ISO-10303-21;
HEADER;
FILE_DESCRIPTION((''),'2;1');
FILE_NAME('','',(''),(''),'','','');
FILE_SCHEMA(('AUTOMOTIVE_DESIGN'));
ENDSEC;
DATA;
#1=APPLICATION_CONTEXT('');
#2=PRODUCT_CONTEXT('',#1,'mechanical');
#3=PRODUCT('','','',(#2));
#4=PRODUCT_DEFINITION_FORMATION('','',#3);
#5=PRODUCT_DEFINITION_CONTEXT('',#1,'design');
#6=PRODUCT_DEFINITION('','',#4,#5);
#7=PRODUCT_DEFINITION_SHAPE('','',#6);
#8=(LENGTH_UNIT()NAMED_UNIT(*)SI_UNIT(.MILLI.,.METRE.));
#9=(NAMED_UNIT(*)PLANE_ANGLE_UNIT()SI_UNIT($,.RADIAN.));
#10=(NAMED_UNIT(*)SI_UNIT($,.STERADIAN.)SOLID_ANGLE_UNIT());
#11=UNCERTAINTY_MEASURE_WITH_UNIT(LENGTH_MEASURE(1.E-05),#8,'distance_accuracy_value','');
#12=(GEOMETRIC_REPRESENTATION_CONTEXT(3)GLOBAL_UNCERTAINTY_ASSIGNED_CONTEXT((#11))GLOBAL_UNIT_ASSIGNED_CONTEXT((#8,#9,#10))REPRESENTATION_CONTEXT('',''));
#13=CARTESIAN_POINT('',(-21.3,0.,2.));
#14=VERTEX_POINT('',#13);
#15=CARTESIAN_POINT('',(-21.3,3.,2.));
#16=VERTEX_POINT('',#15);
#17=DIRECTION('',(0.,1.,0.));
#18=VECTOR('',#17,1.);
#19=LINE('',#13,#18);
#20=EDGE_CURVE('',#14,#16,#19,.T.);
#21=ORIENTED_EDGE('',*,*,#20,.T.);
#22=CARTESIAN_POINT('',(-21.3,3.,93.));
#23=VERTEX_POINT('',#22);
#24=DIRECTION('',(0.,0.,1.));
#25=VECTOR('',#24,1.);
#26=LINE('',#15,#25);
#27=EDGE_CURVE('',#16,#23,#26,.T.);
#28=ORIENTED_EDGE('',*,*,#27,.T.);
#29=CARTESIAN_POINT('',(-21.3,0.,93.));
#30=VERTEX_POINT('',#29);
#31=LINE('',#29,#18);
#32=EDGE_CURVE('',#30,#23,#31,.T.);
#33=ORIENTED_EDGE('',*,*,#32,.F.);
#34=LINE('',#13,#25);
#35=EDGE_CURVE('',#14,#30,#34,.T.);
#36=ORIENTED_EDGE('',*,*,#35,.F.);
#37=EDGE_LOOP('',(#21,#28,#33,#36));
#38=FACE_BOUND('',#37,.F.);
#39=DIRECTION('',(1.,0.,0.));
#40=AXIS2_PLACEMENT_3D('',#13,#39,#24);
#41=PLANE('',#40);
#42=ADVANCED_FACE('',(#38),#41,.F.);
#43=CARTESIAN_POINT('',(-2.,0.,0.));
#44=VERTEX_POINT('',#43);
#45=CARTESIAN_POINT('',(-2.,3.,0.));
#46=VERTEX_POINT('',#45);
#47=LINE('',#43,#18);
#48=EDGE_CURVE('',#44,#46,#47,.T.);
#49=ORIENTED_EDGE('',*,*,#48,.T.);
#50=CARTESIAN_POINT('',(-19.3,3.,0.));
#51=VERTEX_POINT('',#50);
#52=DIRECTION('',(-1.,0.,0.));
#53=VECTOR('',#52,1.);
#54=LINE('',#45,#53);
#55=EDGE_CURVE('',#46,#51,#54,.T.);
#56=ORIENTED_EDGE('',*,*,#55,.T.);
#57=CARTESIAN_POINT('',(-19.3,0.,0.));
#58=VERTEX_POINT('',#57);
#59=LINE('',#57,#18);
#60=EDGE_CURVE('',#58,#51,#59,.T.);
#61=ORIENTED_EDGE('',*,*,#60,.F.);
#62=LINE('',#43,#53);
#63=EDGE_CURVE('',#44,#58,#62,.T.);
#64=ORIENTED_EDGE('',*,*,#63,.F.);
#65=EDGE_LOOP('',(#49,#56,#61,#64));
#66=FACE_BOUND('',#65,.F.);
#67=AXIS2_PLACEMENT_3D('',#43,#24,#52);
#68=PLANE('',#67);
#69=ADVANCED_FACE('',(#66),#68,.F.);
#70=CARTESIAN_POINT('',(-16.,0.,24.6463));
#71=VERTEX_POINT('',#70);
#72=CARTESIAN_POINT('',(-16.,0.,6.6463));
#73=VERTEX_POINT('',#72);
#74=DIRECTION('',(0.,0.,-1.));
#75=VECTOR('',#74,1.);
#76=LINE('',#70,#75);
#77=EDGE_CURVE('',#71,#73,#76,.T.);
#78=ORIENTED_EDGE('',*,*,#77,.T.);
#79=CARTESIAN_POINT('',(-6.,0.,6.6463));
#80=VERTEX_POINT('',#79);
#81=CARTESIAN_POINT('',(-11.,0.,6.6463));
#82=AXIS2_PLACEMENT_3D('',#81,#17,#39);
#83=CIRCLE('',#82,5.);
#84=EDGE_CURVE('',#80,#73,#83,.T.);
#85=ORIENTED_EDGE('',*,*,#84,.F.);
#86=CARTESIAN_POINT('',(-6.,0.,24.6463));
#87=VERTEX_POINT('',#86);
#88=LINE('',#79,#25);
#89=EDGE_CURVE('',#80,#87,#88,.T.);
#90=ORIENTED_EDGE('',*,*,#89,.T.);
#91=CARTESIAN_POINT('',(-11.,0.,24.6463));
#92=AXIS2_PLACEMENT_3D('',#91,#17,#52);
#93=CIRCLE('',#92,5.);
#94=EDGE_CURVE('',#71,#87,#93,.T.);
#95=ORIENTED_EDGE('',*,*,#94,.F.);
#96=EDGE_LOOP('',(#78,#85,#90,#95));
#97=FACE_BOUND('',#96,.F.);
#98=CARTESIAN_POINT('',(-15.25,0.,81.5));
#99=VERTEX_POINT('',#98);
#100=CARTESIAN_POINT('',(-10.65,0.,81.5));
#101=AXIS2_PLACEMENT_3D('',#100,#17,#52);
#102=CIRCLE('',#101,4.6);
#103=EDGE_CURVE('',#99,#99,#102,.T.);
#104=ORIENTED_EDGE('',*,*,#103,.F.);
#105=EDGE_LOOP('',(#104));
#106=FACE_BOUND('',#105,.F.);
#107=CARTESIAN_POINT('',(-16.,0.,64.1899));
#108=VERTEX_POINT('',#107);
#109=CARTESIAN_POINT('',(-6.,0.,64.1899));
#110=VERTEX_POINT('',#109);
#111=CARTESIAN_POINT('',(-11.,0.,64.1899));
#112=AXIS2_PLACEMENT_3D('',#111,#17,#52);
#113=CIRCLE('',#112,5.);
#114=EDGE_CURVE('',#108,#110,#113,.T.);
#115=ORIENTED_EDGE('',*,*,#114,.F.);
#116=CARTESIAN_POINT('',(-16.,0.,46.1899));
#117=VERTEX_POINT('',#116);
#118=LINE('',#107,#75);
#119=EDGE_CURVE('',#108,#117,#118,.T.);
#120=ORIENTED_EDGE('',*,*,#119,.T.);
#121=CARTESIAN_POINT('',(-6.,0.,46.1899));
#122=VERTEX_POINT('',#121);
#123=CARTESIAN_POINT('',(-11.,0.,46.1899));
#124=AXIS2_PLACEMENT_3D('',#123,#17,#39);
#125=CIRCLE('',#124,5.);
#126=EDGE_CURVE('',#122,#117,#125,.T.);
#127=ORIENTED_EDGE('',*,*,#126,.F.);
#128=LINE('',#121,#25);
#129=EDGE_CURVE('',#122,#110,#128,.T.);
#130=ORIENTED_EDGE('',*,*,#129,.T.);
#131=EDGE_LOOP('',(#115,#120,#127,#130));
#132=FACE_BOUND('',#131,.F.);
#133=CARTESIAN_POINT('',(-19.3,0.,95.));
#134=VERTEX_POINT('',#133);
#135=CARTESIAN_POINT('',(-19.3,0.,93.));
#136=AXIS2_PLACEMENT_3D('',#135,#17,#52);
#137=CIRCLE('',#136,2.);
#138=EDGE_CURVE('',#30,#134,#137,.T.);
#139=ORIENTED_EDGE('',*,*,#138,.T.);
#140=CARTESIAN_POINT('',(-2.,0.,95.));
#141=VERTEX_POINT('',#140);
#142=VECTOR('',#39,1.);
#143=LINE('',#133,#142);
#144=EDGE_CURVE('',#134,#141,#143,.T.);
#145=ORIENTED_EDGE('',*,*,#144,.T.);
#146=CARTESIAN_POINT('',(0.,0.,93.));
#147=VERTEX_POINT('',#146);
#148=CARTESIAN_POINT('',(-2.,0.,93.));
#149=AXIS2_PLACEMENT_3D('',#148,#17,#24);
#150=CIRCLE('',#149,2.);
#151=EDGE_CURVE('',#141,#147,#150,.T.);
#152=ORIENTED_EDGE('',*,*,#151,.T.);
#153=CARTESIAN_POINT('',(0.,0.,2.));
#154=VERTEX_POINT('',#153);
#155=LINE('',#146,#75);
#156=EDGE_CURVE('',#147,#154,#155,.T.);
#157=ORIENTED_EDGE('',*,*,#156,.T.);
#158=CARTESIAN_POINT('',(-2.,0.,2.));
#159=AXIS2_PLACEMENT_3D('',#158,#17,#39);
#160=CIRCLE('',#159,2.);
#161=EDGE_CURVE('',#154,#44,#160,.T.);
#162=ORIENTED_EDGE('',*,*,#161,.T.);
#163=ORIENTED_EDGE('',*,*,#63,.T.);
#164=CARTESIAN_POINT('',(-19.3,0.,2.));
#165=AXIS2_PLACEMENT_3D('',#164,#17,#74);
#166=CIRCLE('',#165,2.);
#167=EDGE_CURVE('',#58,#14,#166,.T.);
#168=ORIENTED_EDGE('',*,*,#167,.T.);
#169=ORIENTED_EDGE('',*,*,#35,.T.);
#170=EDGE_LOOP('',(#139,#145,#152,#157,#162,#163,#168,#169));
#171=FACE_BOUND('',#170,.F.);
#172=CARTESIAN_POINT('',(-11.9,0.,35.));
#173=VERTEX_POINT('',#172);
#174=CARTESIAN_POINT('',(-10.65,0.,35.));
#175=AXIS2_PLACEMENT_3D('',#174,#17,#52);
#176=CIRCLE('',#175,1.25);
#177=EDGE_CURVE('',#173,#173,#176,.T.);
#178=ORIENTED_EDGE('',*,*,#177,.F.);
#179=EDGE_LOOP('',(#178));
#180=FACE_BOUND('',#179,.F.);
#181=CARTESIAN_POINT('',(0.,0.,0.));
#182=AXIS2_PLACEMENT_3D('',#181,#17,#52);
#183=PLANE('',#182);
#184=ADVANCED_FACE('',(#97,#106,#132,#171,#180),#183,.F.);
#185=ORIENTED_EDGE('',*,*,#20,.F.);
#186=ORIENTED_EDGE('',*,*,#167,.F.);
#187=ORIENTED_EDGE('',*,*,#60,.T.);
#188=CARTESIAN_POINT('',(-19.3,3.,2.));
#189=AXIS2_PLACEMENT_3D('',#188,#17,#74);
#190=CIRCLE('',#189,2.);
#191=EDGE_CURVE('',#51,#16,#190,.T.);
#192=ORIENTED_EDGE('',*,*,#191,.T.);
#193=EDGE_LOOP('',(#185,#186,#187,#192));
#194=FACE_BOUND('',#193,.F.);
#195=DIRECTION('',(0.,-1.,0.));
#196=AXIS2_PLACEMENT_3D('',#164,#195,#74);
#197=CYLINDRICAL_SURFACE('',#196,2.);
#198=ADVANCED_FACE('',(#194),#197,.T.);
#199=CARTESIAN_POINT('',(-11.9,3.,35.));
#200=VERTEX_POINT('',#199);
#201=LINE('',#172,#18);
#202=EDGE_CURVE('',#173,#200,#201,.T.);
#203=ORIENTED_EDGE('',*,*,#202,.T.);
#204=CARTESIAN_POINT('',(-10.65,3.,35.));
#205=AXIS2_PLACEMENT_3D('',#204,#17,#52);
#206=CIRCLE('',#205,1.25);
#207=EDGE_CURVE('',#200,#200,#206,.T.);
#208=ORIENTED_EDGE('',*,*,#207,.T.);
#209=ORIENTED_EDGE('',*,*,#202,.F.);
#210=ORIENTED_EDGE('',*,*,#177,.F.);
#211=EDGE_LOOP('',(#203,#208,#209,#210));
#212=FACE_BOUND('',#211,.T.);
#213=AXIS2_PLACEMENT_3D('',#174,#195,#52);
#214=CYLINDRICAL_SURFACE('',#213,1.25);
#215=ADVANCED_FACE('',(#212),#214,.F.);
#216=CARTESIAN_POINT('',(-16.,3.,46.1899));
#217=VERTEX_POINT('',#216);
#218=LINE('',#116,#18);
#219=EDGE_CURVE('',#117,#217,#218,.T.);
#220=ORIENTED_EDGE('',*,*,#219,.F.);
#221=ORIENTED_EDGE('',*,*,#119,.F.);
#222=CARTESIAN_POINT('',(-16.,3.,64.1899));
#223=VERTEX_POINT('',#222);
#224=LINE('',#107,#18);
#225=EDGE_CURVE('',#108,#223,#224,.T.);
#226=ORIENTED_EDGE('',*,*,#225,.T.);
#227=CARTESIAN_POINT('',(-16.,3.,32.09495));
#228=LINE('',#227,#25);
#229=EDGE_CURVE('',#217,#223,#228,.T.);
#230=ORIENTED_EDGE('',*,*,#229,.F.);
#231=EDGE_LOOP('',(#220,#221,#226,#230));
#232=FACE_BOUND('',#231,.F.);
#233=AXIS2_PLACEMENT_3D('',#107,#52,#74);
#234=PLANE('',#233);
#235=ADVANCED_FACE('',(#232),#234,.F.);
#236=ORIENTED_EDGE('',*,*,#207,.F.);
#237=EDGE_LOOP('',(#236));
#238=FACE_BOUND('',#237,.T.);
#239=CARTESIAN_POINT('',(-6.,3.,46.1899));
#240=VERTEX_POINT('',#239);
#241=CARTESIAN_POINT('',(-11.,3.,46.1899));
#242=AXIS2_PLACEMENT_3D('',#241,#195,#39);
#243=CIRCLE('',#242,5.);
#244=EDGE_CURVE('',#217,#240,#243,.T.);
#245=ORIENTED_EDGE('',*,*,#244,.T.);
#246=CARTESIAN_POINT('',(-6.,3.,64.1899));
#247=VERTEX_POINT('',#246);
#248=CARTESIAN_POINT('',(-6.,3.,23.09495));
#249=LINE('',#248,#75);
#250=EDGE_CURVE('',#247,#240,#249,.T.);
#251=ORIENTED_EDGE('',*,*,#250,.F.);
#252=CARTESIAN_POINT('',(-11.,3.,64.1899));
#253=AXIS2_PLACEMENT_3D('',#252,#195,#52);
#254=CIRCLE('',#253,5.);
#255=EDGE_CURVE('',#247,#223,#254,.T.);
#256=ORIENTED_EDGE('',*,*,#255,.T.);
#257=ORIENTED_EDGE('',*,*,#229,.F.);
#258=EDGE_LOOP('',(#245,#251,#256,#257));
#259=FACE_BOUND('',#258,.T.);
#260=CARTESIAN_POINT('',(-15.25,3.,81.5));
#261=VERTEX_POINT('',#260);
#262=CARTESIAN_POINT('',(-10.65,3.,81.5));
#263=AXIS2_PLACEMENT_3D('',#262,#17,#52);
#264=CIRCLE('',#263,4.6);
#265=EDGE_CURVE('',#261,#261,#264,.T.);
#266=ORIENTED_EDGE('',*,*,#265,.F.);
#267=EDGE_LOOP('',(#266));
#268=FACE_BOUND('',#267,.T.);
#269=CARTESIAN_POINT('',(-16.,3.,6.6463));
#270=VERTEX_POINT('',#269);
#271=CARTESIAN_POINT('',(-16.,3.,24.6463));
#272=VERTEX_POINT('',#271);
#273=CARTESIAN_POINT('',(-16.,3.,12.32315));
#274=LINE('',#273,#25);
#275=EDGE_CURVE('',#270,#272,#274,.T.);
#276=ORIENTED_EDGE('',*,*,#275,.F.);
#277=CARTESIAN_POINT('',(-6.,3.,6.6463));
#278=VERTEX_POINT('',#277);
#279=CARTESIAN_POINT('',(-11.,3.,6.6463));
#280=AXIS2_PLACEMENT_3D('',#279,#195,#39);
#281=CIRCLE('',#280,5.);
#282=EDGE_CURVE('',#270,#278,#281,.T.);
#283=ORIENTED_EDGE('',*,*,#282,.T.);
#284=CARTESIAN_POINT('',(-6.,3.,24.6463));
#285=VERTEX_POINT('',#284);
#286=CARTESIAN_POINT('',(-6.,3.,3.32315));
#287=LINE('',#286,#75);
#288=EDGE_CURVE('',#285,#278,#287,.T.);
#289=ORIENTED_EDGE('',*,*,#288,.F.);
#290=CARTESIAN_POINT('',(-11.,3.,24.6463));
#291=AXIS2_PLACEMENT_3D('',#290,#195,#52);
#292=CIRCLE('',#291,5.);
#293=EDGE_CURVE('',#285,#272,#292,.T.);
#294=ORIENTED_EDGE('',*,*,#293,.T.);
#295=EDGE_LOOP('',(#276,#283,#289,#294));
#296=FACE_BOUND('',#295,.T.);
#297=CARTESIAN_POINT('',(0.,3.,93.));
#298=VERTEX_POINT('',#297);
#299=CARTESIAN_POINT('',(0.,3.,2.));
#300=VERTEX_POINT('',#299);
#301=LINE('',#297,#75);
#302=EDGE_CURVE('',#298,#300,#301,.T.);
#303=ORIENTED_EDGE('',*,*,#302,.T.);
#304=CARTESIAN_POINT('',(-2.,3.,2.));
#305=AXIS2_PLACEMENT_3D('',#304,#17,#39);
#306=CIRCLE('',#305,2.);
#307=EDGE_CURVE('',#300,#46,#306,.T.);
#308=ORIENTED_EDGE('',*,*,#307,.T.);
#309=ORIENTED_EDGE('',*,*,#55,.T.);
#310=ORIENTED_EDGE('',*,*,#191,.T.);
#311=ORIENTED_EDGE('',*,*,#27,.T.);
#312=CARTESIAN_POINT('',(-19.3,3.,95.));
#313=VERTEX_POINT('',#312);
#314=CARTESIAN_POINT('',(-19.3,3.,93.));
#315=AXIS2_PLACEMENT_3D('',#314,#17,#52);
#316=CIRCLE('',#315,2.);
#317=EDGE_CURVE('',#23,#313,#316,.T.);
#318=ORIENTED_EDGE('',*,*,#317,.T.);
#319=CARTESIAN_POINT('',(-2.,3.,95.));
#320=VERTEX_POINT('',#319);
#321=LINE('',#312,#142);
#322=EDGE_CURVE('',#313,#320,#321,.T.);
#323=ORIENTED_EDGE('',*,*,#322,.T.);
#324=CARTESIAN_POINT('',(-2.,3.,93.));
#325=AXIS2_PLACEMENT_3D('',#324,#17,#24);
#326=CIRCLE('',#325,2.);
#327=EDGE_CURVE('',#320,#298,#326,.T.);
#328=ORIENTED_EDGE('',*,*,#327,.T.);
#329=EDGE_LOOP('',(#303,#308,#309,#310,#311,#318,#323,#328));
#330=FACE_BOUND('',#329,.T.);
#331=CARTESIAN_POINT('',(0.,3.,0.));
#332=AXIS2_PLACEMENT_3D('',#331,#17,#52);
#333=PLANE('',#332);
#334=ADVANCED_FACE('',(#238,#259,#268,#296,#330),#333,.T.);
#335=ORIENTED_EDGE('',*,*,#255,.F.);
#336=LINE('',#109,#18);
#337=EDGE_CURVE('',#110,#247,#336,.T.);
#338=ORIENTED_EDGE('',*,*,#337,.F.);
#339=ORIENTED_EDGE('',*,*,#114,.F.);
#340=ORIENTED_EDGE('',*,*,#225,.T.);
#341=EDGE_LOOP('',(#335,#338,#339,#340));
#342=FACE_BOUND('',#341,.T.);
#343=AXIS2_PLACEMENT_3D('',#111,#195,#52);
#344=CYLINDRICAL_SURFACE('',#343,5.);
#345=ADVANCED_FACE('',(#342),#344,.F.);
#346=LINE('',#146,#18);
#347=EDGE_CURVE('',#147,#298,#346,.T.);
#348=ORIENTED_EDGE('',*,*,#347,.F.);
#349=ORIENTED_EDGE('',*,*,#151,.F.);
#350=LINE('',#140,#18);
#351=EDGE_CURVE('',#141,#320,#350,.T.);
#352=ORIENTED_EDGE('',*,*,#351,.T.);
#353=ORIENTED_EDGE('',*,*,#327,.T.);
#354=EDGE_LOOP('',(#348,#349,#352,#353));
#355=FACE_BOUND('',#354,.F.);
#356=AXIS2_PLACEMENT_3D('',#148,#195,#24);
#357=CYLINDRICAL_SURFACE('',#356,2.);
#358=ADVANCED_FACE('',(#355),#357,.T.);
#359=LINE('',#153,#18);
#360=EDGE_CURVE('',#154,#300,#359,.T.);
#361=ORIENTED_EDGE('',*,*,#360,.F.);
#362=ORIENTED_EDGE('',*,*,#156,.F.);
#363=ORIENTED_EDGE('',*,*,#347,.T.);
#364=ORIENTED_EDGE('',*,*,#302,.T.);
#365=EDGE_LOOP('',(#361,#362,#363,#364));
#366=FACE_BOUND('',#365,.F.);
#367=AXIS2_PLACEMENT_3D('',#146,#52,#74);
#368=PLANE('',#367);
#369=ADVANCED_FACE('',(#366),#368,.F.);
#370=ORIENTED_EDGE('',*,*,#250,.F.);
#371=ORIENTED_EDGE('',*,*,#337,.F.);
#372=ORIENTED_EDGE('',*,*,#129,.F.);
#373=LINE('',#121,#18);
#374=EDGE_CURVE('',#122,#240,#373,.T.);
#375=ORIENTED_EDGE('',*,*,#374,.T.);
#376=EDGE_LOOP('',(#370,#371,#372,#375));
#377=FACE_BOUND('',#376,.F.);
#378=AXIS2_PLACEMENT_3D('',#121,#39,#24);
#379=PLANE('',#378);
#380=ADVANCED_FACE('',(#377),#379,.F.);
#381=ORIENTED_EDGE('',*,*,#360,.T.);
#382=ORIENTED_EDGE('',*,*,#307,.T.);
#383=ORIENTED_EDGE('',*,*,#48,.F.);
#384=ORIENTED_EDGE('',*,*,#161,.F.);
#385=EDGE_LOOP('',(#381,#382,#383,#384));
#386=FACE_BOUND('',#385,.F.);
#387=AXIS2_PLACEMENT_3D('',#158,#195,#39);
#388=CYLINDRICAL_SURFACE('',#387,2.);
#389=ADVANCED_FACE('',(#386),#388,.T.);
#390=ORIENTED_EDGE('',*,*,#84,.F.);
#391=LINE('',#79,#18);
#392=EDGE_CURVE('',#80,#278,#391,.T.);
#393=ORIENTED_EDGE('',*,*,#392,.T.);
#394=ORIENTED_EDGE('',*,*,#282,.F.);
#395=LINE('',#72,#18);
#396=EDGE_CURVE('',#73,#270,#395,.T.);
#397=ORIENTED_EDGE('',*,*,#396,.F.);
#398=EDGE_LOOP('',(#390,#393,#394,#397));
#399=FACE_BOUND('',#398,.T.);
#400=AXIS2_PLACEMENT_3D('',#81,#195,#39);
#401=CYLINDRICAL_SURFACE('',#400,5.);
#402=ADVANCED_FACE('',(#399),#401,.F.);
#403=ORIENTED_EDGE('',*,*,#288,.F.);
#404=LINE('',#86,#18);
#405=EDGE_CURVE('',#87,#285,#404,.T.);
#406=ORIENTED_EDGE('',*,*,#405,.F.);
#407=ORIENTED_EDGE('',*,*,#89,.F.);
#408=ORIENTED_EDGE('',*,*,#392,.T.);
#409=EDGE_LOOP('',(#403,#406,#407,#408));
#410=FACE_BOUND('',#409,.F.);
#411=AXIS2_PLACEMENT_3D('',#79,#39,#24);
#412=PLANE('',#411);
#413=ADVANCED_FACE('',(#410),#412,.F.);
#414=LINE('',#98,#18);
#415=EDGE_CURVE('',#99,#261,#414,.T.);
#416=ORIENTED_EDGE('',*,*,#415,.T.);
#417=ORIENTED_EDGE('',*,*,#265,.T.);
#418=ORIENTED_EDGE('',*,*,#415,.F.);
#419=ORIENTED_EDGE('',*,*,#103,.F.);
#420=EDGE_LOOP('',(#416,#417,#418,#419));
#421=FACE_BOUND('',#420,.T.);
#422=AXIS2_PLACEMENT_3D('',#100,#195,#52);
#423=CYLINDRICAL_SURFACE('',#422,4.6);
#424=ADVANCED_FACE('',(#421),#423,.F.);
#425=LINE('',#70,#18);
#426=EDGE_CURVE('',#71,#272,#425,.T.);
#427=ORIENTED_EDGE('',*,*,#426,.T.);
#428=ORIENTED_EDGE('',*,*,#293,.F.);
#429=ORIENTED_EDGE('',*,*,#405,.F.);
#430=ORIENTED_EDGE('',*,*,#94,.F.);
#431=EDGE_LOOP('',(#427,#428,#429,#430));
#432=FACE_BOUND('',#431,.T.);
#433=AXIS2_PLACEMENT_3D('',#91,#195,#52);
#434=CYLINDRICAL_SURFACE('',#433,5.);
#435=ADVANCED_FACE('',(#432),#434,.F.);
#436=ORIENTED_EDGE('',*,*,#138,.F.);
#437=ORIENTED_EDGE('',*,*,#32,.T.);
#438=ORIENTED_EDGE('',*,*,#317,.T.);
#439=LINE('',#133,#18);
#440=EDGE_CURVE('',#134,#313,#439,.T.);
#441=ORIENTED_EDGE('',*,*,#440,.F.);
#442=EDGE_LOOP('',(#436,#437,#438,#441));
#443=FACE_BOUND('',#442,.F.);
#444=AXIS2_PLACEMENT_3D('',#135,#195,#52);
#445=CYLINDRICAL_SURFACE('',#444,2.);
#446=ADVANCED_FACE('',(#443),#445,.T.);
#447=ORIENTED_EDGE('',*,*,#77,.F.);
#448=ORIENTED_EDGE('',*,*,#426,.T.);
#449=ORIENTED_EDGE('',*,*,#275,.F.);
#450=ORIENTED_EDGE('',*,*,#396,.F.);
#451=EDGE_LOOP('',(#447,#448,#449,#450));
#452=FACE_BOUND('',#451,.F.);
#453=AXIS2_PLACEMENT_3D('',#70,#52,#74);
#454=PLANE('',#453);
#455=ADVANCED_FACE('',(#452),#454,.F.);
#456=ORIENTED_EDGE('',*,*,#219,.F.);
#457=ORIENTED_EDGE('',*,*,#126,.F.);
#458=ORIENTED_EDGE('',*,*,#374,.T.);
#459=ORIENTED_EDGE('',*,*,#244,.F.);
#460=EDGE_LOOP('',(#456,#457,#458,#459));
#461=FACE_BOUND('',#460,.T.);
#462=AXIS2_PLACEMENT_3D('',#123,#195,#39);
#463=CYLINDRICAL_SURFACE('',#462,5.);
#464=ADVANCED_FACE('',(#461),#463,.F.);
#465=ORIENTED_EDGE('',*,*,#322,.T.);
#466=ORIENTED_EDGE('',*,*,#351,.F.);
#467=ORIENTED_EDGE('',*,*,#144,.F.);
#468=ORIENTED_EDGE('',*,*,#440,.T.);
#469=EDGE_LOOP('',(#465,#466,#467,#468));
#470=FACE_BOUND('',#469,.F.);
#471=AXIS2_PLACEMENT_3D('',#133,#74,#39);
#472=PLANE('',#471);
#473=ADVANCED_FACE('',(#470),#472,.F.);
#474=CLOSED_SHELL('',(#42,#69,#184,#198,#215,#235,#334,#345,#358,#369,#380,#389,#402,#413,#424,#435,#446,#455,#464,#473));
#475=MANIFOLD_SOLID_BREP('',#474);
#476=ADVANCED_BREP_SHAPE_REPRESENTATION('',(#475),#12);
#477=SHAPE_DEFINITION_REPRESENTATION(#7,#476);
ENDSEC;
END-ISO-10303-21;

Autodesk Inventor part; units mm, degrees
ref_plane "YZ Plane" through (0, 0, 0) normal (1, 0, 0) x (0, 1, 0)
ref_plane "XZ Plane" through (0, 0, 0) normal (0, 1, 0) x (-1, 0, 0)
ref_plane "XY Plane" through (0, 0, 0) normal (0, 0, 1) x (1, 0, 0)
sketch "Sketch1" plane through (0, 0, 0) normal (0, 1, 0) x (-1, 0, 0)
  line L0 (2, 0) -> (19.3, 0)
  line L1 (21.3, 2) -> (21.3, 93)
  line L2 (19.3, 95) -> (2, 95)
  line L3 (0, 93) -> (0, 2)
  circle A0 centre (10.65, 35) radius 1.25
  arc A1 (21.3, 93) -> (19.3, 95) centre (19.3, 93) ccw
  arc A2 (2, 95) -> (0, 93) centre (2, 93) ccw
  arc A3 (0, 2) -> (2, 0) centre (2, 2) ccw
  arc A4 (19.3, 0) -> (21.3, 2) centre (19.3, 2) ccw
  circle A5 centre (10.65, 81.5) radius 4.6
  line L4 (11, 46.1899) -> (11, 64.1899) construction
  line L5 (6, 46.1899) -> (6, 64.1899)
  line L6 (16, 64.1899) -> (16, 46.1899)
  arc A6 (6, 46.1899) -> (16, 46.1899) centre (11, 46.1899) ccw
  arc A7 (16, 64.1899) -> (6, 64.1899) centre (11, 64.1899) ccw
  line L7 (11, 6.6463) -> (11, 24.6463) construction
  line L8 (6, 6.6463) -> (6, 24.6463)
  line L9 (16, 24.6463) -> (16, 6.6463)
  arc A8 (6, 6.6463) -> (16, 6.6463) centre (11, 6.6463) ccw
  arc A9 (16, 24.6463) -> (6, 24.6463) centre (11, 24.6463) ccw
  point P0 (0, 0)
  point P1 (21.3, 95)
  point P2 (21.3, 0)
  point P3 (11, 55.1899)
  point P4 (11, 15.6463)
  dimension "d0" = 21.3
  dimension "d1" = 95
  dimension "d2" = 2.5
  dimension "d3" = 35
  dimension "d6" = 10.65
  dimension "d8" = 2
  dimension "d9" = 9.2
  dimension "d10" = 46.5
  dimension "d13" = 18
  dimension "d14" = 5
  dimension "d17" = 11.1898
  dimension "d18" = 18
  dimension "d19" = 5
extrude "Extrusion1" add sketch "Sketch1" along normal blind 3 contours A3 L3 A2 L2 A1 L1 A4 L0 | L5 A7 L6 A6 | L8 A9 L9 A8
extrude "Extrusion2" cut sketch "Sketch1" along normal through all contours L5 A7 L6 A6 | L8 A9 L9 A8
equation "\"d6\" = 0.5 * d0"
equation "\"d19\" = d14"
properties part number "12mero"
